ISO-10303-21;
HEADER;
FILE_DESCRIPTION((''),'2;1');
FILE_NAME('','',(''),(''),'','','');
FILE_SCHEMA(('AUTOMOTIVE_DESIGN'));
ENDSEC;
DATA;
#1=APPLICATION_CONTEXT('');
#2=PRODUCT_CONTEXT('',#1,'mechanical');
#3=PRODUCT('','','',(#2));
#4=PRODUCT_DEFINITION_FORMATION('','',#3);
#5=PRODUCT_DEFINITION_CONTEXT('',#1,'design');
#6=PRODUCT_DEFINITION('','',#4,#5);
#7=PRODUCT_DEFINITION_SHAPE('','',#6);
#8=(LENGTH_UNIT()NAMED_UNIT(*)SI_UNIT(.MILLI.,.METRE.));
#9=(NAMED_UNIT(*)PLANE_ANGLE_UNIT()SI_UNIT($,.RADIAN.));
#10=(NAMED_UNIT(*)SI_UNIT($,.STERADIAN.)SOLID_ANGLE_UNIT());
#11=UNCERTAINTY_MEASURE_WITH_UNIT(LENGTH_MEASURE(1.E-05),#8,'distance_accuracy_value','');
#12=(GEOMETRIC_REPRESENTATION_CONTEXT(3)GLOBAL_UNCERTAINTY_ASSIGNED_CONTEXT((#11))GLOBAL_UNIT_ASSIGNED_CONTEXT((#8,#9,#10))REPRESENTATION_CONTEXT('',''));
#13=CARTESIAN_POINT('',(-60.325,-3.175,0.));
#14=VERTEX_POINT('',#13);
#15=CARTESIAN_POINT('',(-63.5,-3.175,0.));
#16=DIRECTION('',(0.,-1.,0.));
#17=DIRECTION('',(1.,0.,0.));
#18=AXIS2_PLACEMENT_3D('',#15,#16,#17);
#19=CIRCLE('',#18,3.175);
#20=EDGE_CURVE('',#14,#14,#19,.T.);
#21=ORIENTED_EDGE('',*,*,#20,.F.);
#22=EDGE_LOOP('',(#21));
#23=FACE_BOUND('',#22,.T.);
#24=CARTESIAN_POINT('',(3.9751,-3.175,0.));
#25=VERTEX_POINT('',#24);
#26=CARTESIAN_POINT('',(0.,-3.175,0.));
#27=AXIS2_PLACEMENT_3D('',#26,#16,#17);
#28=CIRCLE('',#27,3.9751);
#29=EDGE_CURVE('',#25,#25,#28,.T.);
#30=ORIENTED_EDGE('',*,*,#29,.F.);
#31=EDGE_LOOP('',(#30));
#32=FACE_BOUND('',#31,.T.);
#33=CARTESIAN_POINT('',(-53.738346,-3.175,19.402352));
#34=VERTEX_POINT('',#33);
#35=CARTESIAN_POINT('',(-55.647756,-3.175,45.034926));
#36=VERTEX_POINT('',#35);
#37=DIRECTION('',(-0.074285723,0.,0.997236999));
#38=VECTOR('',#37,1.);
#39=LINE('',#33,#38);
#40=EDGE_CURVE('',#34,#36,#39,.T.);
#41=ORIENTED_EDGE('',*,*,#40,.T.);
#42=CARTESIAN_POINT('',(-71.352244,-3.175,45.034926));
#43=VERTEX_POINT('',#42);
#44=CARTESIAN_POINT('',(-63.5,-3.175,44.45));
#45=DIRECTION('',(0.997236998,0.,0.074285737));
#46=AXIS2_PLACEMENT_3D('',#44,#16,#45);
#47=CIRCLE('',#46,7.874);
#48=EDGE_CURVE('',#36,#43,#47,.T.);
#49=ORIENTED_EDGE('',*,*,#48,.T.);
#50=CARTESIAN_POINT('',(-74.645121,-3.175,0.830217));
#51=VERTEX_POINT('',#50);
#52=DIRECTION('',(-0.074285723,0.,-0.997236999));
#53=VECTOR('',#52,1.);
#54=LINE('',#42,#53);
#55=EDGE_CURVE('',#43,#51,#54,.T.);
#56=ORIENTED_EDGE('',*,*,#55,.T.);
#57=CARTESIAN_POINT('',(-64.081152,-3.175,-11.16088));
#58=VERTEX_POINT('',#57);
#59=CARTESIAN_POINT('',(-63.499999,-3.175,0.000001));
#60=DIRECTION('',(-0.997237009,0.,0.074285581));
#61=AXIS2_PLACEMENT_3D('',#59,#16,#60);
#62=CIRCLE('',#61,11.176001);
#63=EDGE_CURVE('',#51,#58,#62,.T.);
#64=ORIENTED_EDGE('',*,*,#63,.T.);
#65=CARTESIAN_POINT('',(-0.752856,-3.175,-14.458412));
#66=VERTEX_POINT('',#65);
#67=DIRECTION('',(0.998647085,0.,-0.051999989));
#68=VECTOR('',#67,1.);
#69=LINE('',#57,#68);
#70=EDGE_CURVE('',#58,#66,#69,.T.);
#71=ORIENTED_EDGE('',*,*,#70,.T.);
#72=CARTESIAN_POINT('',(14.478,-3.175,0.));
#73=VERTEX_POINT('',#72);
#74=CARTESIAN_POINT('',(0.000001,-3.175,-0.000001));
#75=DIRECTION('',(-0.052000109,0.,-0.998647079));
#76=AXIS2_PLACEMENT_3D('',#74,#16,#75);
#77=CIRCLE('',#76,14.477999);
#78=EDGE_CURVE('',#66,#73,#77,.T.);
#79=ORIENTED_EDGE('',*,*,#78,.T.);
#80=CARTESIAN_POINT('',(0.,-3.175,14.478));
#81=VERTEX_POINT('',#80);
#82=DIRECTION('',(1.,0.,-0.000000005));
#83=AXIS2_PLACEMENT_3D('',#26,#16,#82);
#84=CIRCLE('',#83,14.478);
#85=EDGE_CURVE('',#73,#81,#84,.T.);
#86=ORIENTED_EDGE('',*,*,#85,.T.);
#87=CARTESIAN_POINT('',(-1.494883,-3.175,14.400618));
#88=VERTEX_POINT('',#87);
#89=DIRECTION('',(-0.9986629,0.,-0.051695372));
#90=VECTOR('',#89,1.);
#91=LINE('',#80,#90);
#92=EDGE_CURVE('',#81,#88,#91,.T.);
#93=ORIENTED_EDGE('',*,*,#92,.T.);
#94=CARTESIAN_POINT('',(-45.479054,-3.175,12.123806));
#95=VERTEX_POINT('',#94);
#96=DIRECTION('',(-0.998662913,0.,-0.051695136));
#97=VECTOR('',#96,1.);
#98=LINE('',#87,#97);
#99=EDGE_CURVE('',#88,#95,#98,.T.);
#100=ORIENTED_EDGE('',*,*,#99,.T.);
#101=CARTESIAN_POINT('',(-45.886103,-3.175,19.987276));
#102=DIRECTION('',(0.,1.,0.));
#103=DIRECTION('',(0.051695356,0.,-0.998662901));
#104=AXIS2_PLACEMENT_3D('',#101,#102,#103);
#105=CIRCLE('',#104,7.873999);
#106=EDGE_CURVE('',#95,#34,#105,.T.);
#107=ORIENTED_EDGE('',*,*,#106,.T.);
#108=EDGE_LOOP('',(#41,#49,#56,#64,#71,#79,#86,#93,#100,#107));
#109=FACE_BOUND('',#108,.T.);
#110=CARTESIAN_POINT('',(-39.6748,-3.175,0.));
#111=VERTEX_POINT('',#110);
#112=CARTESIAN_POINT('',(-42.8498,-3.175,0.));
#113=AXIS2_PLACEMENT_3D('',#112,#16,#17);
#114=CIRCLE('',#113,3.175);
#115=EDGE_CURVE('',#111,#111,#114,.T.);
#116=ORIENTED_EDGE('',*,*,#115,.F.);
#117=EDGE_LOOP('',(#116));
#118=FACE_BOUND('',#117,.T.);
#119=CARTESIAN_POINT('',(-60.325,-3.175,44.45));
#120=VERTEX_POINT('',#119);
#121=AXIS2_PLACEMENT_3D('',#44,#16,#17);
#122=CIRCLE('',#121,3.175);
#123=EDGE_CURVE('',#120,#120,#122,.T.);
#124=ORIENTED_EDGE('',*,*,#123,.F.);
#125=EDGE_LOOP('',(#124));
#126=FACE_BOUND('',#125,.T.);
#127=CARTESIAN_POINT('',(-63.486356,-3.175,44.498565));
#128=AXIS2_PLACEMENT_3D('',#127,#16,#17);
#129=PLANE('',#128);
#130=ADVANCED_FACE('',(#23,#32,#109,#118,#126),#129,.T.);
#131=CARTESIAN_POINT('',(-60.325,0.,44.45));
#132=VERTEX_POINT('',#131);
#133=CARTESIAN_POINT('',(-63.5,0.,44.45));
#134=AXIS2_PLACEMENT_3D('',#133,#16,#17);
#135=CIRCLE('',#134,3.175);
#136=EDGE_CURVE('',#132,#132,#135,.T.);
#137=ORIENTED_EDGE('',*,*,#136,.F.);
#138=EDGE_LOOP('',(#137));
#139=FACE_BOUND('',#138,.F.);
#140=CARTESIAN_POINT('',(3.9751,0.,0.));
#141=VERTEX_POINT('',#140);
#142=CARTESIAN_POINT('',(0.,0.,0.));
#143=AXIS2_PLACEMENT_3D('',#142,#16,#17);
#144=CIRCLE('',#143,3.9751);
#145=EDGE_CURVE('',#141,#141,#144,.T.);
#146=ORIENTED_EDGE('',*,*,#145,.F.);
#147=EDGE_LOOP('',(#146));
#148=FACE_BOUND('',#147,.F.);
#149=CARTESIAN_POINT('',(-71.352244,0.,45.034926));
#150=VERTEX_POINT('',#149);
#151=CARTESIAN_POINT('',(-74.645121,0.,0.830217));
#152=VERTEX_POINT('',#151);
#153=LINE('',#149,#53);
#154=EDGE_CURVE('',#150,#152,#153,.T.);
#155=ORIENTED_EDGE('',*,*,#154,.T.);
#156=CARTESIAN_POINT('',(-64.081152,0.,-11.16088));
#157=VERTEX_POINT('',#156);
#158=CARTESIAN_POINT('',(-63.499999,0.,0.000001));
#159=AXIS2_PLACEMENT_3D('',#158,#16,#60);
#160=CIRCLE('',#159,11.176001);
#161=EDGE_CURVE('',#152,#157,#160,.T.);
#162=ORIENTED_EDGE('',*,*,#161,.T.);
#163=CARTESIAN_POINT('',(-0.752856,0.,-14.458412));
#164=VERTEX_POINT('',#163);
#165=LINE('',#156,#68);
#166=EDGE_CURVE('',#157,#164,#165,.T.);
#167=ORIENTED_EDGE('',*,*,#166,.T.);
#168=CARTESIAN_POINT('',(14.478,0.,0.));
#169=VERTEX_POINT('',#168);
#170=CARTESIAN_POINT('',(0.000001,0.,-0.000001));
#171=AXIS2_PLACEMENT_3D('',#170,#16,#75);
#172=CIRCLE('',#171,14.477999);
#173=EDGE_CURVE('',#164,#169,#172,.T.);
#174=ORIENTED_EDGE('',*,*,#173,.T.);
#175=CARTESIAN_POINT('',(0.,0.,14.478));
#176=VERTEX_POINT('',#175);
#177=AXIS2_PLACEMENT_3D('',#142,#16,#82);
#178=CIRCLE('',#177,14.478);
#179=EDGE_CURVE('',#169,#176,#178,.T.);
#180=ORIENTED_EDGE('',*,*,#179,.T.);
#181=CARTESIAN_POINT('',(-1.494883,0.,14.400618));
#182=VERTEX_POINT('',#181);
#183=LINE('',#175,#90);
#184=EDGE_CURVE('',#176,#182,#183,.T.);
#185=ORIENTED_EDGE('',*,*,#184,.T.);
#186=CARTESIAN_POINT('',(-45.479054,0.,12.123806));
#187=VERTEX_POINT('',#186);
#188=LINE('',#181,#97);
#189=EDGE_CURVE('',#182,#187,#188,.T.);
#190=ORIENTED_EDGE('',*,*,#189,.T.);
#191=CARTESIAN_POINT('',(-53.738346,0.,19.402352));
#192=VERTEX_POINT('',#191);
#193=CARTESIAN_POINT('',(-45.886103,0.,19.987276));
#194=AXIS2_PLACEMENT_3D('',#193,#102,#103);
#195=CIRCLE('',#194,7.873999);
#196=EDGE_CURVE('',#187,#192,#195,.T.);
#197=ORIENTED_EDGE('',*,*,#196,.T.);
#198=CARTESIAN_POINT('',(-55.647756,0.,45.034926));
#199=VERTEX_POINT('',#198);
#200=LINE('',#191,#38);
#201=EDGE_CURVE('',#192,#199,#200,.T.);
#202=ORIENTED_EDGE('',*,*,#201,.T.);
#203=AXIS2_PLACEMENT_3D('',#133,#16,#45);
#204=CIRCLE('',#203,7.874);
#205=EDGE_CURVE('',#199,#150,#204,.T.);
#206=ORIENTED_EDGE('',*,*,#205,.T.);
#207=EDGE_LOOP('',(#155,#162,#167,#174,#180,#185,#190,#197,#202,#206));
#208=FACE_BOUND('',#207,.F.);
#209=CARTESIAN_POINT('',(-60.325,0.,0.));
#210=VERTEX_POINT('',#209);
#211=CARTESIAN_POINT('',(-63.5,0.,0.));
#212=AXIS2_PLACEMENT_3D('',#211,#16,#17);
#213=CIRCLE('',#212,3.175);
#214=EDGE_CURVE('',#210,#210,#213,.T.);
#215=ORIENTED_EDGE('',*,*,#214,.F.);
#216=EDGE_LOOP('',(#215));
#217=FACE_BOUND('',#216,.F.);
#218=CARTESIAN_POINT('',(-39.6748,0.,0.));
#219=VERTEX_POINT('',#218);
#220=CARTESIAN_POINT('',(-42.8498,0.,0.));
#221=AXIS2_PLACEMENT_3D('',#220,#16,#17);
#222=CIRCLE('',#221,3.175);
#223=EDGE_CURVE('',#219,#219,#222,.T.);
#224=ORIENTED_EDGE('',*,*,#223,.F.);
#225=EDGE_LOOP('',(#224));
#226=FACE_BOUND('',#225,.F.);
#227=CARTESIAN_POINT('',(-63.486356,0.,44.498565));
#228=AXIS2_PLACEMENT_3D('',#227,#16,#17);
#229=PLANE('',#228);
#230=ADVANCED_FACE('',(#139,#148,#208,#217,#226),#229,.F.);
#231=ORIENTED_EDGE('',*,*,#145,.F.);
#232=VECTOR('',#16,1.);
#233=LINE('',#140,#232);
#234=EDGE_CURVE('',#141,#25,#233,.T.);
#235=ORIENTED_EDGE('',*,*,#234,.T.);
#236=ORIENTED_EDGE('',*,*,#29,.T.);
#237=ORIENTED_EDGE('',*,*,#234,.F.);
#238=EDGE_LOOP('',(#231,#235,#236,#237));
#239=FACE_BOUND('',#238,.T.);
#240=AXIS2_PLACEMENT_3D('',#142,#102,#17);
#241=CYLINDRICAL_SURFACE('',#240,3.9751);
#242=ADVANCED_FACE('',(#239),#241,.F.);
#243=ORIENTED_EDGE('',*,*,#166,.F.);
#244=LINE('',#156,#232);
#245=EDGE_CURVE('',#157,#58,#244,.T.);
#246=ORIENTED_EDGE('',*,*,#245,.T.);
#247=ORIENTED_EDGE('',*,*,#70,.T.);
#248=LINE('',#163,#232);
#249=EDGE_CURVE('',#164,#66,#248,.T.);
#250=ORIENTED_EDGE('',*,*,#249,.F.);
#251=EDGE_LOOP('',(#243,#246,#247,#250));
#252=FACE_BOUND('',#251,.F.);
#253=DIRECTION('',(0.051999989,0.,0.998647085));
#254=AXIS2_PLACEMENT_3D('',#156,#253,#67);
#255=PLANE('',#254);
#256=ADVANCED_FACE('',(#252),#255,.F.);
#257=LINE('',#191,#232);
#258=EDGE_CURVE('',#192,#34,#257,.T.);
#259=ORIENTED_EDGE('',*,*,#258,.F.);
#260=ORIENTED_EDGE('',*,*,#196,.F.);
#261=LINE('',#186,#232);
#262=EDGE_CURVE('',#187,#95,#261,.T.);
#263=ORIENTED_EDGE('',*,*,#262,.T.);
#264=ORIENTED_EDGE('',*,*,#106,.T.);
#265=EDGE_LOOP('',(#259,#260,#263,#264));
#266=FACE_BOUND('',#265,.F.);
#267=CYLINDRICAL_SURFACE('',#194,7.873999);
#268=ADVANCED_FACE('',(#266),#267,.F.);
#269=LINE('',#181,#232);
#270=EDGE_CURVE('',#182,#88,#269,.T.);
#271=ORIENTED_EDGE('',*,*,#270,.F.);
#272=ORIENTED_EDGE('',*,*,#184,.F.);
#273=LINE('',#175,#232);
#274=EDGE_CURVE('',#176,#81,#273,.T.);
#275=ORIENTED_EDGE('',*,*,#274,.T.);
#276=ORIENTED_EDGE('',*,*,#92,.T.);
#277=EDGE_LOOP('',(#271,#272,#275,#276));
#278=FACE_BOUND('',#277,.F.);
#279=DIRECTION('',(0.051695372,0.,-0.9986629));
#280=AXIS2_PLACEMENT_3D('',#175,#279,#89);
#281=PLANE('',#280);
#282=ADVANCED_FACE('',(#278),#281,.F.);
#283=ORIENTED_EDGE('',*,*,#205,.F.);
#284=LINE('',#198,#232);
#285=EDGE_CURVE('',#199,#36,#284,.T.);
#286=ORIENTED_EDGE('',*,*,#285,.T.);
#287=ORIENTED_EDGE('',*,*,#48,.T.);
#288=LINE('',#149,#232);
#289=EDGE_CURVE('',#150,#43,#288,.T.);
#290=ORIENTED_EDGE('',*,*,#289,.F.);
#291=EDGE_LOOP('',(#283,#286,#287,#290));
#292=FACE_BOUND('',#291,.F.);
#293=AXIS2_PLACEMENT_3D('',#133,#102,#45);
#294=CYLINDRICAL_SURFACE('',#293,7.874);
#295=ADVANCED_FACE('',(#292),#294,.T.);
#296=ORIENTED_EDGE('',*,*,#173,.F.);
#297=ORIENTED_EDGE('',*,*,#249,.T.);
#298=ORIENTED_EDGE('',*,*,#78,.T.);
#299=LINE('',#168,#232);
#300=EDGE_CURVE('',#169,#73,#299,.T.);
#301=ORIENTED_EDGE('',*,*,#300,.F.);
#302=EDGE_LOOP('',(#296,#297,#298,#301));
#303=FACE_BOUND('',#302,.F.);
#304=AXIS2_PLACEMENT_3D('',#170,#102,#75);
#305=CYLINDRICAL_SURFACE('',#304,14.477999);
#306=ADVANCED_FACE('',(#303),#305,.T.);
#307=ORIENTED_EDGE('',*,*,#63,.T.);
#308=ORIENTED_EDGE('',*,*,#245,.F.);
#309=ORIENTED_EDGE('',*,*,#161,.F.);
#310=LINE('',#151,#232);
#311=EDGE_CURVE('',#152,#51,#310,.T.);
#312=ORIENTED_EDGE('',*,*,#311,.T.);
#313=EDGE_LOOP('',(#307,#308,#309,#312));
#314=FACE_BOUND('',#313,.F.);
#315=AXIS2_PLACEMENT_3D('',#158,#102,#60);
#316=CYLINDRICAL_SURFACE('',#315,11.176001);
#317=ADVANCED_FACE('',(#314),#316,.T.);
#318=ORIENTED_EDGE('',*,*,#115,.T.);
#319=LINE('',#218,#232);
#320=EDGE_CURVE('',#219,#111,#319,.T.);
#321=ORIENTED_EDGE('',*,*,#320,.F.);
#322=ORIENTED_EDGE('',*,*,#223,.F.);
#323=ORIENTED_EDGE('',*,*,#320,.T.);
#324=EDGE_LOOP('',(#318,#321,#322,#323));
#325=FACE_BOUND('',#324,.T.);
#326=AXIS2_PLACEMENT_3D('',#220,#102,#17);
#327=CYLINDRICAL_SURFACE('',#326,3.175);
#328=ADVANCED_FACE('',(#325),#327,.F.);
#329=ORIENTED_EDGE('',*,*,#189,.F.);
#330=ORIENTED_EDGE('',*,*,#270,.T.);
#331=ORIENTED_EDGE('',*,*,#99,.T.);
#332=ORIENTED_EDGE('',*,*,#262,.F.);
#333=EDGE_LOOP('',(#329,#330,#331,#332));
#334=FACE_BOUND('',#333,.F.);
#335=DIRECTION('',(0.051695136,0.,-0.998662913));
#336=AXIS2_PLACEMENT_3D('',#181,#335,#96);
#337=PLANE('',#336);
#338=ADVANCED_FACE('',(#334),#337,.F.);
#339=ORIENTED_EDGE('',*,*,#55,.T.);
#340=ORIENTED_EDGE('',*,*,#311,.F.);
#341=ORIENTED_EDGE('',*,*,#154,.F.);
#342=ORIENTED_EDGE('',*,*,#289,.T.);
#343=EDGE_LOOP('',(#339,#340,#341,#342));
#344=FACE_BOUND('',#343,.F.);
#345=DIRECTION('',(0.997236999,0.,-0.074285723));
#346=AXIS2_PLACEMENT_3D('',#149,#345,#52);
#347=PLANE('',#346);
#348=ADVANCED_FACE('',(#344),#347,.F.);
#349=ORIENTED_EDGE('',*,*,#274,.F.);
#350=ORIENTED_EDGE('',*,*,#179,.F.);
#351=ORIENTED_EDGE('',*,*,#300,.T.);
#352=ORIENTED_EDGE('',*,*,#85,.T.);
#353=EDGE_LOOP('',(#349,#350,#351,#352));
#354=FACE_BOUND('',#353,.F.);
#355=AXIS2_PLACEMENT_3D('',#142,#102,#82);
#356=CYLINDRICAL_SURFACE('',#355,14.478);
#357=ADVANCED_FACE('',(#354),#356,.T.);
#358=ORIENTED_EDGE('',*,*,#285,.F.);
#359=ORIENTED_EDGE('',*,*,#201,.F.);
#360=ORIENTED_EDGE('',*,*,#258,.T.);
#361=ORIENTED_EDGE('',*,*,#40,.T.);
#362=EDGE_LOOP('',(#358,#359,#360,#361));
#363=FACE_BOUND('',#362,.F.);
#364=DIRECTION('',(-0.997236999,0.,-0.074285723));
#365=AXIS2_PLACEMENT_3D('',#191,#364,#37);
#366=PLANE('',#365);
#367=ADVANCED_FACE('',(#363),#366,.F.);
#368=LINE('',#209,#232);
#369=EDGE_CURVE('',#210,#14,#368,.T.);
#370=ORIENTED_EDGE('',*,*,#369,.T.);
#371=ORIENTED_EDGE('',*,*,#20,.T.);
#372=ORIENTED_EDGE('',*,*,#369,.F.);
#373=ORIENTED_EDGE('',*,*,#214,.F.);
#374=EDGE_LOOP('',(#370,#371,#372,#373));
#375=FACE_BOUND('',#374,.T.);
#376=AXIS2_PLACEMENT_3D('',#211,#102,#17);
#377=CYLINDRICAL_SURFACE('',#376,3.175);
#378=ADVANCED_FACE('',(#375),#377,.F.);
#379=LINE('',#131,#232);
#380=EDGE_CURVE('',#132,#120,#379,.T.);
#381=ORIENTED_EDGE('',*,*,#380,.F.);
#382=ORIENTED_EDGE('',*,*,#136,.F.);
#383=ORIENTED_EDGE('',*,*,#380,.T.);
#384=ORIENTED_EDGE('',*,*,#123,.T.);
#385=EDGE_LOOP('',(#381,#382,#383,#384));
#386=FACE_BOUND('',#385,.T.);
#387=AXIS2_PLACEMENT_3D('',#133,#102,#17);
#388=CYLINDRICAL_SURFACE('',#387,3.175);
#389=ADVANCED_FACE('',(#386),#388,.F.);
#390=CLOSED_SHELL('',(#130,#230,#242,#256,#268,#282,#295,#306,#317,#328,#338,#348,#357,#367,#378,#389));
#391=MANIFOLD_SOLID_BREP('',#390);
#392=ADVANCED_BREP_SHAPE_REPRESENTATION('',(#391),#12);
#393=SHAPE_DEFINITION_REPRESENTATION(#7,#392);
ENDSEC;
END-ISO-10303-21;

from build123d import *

# Parameters (mm, degrees)
F0_R     = 3.175
F0_R_2   = 3.9751
F1_DEPTH = 3.175


with BuildPart() as f1:
    # F0 (on Front) → F1 (new body)
    with BuildSketch(Plane.XZ):
        with BuildLine():
            ThreePointArc((-55.647756, 45.034926), (-63.5, 52.324), (-71.352244, 45.034926))
            ThreePointArc((-71.352244, 45.034926), (-63.792665, 36.581441), (-55.626, 44.45))
            ThreePointArc((-55.626, 44.45), (-55.631441, 44.742665), (-55.647756, 45.034926))
        make_face()
        with Locations((-63.5, 44.45)):
            Circle(F0_R, mode=Mode.SUBTRACT)
        with BuildLine():
            Line((-64.081152, -11.16088), (-0.752856, -14.458412))
            ThreePointArc((-0.752856, -14.458412), (-14.473217, -0.372137), (-1.494883, 14.400618))
            Line((-1.494883, 14.400618), (-45.479054, 12.123806))
            ThreePointArc((-45.479054, 12.123806), (-51.092065, 14.079839), (-53.738346, 19.402352))
            Line((-53.738346, 19.402352), (-55.647756, 45.034926))
            ThreePointArc((-55.647756, 45.034926), (-55.631441, 44.742665), (-55.626, 44.45))
            ThreePointArc((-55.626, 44.45), (-63.792665, 36.581441), (-71.352244, 45.034926))
            Line((-71.352244, 45.034926), (-74.645121, 0.830217))
            ThreePointArc((-74.645121, 0.830217), (-71.312679, 7.991559), (-64.077745, 11.161057))
            ThreePointArc((-64.077745, 11.161057), (-55.804349, 8.104315), (-52.324, 0))
            ThreePointArc((-52.324, 0), (-55.805586, -8.10549), (-64.081152, -11.16088))
        make_face()
        with Locations((-42.8498, 0)):
            Circle(F0_R, mode=Mode.SUBTRACT)
        with BuildLine():
            ThreePointArc((-74.645121, 0.830217), (-71.885879, -7.387828), (-64.081152, -11.16088))
            ThreePointArc((-64.081152, -11.16088), (-55.805586, -8.10549), (-52.324, 0))
            ThreePointArc((-52.324, 0), (-55.804349, 8.104315), (-64.077745, 11.161057))
            ThreePointArc((-64.077745, 11.161057), (-71.312679, 7.991559), (-74.645121, 0.830217))
        make_face()
        with Locations((-63.5, 0)):
            Circle(F0_R, mode=Mode.SUBTRACT)
        with BuildLine():
            ThreePointArc((-0.752856, -14.458412), (9.967764, -10.500294), (14.478, 0))
            ThreePointArc((14.478, 0), (10.237492, 10.237492), (0, 14.478))
            Line((0, 14.478), (-1.494883, 14.400618))
            ThreePointArc((-1.494883, 14.400618), (-14.473217, -0.372137), (-0.752856, -14.458412))
        make_face()
        Circle(F0_R_2, mode=Mode.SUBTRACT)
    extrude(amount=F1_DEPTH)


solid = f1.part
